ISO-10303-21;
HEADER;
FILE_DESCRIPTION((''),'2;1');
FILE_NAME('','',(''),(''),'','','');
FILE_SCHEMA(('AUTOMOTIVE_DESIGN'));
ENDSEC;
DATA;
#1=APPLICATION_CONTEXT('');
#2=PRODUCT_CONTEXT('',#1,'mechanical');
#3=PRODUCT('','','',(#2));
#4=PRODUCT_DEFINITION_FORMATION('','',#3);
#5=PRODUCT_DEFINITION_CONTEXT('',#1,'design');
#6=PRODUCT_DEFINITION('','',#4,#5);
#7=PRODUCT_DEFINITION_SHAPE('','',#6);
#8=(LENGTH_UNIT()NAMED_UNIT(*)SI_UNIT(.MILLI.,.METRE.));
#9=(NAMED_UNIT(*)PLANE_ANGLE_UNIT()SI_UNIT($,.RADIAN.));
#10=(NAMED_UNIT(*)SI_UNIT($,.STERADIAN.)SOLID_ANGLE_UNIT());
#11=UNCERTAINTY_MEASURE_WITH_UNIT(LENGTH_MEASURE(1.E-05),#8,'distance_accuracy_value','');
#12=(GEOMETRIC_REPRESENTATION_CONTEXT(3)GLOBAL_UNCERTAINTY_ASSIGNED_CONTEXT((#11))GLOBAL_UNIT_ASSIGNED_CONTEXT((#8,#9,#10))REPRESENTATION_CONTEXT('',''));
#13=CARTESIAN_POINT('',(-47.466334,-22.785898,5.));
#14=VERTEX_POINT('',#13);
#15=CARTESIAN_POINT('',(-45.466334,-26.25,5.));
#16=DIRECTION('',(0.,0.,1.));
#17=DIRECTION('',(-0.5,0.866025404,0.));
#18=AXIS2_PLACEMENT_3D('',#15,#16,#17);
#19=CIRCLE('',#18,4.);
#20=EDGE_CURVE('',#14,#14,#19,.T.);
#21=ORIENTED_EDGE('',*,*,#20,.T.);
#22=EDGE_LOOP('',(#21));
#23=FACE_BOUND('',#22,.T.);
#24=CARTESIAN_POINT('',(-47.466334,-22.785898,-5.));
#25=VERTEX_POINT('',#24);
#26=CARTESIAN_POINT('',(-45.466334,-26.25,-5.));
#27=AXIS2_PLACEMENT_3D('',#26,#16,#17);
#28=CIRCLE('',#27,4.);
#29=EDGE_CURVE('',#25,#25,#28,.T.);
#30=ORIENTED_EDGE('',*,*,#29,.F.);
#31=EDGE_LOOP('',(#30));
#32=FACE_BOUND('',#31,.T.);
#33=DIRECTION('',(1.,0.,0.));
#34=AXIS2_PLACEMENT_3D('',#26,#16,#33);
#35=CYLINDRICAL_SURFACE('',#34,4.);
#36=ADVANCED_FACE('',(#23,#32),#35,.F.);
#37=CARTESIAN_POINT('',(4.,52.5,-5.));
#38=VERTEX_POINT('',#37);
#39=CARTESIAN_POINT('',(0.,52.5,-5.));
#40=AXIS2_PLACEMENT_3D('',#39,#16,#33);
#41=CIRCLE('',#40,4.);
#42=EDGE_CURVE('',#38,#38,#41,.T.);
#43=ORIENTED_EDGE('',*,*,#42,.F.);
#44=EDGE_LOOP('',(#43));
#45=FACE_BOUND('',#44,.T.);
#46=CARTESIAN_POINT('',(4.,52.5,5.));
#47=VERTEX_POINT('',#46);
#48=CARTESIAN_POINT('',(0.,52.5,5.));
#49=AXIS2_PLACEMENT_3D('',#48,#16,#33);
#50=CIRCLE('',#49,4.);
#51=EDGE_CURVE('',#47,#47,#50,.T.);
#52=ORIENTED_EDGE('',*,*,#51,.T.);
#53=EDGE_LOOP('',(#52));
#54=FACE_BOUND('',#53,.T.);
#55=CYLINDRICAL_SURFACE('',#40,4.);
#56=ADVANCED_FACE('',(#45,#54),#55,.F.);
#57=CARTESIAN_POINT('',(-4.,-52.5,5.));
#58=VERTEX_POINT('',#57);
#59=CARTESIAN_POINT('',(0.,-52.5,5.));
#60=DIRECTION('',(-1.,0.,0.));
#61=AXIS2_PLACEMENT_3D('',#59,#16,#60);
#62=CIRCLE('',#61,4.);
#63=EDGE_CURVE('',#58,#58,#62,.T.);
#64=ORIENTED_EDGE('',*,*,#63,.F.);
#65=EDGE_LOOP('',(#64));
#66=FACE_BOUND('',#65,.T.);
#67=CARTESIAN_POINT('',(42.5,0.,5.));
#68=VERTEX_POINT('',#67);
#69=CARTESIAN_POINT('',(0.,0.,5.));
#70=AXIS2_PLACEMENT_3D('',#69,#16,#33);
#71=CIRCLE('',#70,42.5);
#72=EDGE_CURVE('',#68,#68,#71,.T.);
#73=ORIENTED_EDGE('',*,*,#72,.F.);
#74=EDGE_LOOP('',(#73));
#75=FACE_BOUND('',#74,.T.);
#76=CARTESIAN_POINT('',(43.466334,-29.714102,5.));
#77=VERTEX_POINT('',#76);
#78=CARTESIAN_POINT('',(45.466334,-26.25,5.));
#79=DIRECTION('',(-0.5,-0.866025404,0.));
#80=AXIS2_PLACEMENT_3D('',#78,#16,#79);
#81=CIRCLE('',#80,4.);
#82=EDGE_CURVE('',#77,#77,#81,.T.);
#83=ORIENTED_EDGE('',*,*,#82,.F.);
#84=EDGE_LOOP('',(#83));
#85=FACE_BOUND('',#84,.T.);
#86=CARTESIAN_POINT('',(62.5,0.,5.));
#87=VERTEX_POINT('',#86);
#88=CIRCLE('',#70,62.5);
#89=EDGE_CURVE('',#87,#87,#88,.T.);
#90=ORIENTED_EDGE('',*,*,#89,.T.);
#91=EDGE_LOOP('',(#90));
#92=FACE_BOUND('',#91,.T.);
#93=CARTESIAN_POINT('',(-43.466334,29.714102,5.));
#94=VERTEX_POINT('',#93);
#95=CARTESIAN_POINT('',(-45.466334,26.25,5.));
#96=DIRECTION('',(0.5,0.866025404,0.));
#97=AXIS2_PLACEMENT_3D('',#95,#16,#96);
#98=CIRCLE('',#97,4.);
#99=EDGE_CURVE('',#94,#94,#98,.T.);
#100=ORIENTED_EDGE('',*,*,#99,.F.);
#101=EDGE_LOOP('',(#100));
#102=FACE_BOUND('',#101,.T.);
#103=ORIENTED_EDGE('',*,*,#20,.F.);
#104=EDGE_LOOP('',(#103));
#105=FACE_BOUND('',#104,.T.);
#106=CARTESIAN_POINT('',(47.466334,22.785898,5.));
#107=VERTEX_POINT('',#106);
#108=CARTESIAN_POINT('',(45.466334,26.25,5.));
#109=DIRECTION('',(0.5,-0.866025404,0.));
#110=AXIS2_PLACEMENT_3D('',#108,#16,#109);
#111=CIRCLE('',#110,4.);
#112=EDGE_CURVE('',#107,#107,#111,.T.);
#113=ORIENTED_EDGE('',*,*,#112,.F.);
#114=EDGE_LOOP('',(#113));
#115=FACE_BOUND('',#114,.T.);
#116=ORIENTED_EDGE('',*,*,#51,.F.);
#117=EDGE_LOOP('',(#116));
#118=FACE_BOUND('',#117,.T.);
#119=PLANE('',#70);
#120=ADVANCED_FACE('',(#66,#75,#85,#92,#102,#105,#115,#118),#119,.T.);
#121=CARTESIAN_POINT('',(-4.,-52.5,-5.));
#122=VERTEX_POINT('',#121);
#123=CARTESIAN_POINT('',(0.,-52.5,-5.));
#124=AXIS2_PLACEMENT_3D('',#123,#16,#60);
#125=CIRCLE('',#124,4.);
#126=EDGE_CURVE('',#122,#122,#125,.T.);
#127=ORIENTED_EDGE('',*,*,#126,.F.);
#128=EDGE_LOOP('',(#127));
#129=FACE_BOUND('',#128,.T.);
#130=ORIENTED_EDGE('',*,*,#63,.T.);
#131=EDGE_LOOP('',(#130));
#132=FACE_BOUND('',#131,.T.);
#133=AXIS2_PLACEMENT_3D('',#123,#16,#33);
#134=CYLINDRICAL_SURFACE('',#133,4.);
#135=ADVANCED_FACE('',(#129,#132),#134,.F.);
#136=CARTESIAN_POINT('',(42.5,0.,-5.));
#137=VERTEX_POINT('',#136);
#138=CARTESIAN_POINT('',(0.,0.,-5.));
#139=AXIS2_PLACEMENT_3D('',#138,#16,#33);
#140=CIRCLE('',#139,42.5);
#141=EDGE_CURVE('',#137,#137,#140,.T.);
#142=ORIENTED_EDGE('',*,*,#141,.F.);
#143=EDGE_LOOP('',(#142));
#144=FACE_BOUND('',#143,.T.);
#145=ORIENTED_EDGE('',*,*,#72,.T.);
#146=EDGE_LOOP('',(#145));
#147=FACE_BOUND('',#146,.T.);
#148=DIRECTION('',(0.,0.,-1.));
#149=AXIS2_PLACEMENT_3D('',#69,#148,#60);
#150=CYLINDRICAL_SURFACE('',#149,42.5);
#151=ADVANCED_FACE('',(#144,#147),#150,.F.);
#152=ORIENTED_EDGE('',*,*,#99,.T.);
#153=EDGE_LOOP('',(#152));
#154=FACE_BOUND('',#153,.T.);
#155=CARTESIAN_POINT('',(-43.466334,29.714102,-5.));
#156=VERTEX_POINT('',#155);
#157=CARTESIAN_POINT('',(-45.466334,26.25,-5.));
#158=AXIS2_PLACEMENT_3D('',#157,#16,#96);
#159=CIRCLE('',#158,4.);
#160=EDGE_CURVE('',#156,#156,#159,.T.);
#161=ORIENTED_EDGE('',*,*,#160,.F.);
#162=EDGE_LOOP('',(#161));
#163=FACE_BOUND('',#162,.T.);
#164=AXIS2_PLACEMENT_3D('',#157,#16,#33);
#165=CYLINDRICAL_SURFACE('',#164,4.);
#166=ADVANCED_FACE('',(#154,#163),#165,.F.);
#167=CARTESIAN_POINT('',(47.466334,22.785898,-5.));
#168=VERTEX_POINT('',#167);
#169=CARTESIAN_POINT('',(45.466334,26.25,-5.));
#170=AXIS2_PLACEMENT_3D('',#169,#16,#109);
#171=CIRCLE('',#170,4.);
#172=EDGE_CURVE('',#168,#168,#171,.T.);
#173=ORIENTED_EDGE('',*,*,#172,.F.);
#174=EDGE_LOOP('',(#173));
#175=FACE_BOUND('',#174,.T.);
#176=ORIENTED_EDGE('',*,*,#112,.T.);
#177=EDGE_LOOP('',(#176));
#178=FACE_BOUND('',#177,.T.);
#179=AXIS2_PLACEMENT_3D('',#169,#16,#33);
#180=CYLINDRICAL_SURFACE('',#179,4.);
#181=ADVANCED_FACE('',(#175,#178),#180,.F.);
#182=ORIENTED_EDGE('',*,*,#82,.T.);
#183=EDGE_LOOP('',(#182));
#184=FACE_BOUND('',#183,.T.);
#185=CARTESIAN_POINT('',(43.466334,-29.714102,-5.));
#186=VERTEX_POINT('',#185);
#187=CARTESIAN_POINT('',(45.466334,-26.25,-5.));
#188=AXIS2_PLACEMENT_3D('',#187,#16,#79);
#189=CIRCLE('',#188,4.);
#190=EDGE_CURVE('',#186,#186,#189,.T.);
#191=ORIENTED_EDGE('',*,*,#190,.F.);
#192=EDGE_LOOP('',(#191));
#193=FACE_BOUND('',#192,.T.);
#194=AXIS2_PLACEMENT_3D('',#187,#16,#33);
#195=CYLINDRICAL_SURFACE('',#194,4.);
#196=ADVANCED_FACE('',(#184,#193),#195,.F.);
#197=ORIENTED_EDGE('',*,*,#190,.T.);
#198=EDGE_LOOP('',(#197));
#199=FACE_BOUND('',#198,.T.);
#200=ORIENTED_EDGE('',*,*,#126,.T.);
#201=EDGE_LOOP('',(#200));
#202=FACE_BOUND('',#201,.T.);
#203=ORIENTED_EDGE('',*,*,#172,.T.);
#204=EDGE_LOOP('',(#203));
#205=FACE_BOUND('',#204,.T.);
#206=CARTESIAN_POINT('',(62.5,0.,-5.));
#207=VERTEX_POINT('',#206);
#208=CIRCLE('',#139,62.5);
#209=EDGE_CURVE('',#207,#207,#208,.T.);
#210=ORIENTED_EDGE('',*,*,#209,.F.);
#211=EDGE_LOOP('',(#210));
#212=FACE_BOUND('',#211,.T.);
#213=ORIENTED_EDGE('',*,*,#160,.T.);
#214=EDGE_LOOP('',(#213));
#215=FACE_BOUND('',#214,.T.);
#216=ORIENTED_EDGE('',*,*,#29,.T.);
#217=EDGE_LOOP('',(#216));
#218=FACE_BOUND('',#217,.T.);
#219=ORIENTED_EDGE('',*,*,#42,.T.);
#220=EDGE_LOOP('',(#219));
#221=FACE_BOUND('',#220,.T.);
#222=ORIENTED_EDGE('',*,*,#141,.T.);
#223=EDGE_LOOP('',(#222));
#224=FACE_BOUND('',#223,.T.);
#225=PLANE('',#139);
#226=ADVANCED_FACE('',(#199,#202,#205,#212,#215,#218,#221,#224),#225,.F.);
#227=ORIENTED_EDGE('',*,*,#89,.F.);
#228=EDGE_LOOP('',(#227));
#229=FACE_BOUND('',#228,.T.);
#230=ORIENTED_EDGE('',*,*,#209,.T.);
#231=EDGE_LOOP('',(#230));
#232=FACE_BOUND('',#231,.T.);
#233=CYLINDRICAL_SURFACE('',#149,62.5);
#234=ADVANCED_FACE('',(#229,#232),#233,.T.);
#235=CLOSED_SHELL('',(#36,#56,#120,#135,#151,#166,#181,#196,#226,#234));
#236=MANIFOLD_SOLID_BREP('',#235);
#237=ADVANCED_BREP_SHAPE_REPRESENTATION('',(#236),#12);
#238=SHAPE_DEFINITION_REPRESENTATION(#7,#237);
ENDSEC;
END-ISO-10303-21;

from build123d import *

# Parameters (mm, degrees)
SKETCH1_R          = 62.5
SKETCH1_R_2        = 42.5
BODY_DEPTH         = 5
SKETCH2_R          = 4
CUT_EXTRUDE1_DEPTH = 11
HOLES_COUNT        = 6


with BuildPart() as part:
    # Sketch1 → Body (new body, symmetric)
    with BuildSketch(Plane.XY):
        Circle(SKETCH1_R)
        Circle(SKETCH1_R_2, mode=Mode.SUBTRACT)
    extrude(amount=BODY_DEPTH, both=True)

    # Sketch2 → Cut-Extrude1 (cut, through all)
    with BuildSketch(Plane.XY.offset(5)):
        with Locations((0, 52.5)):
            Circle(SKETCH2_R)
    cut_extrude1 = extrude(amount=-CUT_EXTRUDE1_DEPTH, mode=Mode.SUBTRACT)

    # Holes: Cut-Extrude1 ×6 about axis
    holes_axis = Axis((0, 0, 0), (0, 0, 1))
    for i in range(1, HOLES_COUNT):
        add(cut_extrude1.rotate(holes_axis, i * 360 / HOLES_COUNT), mode=Mode.SUBTRACT)


solid = part.part
